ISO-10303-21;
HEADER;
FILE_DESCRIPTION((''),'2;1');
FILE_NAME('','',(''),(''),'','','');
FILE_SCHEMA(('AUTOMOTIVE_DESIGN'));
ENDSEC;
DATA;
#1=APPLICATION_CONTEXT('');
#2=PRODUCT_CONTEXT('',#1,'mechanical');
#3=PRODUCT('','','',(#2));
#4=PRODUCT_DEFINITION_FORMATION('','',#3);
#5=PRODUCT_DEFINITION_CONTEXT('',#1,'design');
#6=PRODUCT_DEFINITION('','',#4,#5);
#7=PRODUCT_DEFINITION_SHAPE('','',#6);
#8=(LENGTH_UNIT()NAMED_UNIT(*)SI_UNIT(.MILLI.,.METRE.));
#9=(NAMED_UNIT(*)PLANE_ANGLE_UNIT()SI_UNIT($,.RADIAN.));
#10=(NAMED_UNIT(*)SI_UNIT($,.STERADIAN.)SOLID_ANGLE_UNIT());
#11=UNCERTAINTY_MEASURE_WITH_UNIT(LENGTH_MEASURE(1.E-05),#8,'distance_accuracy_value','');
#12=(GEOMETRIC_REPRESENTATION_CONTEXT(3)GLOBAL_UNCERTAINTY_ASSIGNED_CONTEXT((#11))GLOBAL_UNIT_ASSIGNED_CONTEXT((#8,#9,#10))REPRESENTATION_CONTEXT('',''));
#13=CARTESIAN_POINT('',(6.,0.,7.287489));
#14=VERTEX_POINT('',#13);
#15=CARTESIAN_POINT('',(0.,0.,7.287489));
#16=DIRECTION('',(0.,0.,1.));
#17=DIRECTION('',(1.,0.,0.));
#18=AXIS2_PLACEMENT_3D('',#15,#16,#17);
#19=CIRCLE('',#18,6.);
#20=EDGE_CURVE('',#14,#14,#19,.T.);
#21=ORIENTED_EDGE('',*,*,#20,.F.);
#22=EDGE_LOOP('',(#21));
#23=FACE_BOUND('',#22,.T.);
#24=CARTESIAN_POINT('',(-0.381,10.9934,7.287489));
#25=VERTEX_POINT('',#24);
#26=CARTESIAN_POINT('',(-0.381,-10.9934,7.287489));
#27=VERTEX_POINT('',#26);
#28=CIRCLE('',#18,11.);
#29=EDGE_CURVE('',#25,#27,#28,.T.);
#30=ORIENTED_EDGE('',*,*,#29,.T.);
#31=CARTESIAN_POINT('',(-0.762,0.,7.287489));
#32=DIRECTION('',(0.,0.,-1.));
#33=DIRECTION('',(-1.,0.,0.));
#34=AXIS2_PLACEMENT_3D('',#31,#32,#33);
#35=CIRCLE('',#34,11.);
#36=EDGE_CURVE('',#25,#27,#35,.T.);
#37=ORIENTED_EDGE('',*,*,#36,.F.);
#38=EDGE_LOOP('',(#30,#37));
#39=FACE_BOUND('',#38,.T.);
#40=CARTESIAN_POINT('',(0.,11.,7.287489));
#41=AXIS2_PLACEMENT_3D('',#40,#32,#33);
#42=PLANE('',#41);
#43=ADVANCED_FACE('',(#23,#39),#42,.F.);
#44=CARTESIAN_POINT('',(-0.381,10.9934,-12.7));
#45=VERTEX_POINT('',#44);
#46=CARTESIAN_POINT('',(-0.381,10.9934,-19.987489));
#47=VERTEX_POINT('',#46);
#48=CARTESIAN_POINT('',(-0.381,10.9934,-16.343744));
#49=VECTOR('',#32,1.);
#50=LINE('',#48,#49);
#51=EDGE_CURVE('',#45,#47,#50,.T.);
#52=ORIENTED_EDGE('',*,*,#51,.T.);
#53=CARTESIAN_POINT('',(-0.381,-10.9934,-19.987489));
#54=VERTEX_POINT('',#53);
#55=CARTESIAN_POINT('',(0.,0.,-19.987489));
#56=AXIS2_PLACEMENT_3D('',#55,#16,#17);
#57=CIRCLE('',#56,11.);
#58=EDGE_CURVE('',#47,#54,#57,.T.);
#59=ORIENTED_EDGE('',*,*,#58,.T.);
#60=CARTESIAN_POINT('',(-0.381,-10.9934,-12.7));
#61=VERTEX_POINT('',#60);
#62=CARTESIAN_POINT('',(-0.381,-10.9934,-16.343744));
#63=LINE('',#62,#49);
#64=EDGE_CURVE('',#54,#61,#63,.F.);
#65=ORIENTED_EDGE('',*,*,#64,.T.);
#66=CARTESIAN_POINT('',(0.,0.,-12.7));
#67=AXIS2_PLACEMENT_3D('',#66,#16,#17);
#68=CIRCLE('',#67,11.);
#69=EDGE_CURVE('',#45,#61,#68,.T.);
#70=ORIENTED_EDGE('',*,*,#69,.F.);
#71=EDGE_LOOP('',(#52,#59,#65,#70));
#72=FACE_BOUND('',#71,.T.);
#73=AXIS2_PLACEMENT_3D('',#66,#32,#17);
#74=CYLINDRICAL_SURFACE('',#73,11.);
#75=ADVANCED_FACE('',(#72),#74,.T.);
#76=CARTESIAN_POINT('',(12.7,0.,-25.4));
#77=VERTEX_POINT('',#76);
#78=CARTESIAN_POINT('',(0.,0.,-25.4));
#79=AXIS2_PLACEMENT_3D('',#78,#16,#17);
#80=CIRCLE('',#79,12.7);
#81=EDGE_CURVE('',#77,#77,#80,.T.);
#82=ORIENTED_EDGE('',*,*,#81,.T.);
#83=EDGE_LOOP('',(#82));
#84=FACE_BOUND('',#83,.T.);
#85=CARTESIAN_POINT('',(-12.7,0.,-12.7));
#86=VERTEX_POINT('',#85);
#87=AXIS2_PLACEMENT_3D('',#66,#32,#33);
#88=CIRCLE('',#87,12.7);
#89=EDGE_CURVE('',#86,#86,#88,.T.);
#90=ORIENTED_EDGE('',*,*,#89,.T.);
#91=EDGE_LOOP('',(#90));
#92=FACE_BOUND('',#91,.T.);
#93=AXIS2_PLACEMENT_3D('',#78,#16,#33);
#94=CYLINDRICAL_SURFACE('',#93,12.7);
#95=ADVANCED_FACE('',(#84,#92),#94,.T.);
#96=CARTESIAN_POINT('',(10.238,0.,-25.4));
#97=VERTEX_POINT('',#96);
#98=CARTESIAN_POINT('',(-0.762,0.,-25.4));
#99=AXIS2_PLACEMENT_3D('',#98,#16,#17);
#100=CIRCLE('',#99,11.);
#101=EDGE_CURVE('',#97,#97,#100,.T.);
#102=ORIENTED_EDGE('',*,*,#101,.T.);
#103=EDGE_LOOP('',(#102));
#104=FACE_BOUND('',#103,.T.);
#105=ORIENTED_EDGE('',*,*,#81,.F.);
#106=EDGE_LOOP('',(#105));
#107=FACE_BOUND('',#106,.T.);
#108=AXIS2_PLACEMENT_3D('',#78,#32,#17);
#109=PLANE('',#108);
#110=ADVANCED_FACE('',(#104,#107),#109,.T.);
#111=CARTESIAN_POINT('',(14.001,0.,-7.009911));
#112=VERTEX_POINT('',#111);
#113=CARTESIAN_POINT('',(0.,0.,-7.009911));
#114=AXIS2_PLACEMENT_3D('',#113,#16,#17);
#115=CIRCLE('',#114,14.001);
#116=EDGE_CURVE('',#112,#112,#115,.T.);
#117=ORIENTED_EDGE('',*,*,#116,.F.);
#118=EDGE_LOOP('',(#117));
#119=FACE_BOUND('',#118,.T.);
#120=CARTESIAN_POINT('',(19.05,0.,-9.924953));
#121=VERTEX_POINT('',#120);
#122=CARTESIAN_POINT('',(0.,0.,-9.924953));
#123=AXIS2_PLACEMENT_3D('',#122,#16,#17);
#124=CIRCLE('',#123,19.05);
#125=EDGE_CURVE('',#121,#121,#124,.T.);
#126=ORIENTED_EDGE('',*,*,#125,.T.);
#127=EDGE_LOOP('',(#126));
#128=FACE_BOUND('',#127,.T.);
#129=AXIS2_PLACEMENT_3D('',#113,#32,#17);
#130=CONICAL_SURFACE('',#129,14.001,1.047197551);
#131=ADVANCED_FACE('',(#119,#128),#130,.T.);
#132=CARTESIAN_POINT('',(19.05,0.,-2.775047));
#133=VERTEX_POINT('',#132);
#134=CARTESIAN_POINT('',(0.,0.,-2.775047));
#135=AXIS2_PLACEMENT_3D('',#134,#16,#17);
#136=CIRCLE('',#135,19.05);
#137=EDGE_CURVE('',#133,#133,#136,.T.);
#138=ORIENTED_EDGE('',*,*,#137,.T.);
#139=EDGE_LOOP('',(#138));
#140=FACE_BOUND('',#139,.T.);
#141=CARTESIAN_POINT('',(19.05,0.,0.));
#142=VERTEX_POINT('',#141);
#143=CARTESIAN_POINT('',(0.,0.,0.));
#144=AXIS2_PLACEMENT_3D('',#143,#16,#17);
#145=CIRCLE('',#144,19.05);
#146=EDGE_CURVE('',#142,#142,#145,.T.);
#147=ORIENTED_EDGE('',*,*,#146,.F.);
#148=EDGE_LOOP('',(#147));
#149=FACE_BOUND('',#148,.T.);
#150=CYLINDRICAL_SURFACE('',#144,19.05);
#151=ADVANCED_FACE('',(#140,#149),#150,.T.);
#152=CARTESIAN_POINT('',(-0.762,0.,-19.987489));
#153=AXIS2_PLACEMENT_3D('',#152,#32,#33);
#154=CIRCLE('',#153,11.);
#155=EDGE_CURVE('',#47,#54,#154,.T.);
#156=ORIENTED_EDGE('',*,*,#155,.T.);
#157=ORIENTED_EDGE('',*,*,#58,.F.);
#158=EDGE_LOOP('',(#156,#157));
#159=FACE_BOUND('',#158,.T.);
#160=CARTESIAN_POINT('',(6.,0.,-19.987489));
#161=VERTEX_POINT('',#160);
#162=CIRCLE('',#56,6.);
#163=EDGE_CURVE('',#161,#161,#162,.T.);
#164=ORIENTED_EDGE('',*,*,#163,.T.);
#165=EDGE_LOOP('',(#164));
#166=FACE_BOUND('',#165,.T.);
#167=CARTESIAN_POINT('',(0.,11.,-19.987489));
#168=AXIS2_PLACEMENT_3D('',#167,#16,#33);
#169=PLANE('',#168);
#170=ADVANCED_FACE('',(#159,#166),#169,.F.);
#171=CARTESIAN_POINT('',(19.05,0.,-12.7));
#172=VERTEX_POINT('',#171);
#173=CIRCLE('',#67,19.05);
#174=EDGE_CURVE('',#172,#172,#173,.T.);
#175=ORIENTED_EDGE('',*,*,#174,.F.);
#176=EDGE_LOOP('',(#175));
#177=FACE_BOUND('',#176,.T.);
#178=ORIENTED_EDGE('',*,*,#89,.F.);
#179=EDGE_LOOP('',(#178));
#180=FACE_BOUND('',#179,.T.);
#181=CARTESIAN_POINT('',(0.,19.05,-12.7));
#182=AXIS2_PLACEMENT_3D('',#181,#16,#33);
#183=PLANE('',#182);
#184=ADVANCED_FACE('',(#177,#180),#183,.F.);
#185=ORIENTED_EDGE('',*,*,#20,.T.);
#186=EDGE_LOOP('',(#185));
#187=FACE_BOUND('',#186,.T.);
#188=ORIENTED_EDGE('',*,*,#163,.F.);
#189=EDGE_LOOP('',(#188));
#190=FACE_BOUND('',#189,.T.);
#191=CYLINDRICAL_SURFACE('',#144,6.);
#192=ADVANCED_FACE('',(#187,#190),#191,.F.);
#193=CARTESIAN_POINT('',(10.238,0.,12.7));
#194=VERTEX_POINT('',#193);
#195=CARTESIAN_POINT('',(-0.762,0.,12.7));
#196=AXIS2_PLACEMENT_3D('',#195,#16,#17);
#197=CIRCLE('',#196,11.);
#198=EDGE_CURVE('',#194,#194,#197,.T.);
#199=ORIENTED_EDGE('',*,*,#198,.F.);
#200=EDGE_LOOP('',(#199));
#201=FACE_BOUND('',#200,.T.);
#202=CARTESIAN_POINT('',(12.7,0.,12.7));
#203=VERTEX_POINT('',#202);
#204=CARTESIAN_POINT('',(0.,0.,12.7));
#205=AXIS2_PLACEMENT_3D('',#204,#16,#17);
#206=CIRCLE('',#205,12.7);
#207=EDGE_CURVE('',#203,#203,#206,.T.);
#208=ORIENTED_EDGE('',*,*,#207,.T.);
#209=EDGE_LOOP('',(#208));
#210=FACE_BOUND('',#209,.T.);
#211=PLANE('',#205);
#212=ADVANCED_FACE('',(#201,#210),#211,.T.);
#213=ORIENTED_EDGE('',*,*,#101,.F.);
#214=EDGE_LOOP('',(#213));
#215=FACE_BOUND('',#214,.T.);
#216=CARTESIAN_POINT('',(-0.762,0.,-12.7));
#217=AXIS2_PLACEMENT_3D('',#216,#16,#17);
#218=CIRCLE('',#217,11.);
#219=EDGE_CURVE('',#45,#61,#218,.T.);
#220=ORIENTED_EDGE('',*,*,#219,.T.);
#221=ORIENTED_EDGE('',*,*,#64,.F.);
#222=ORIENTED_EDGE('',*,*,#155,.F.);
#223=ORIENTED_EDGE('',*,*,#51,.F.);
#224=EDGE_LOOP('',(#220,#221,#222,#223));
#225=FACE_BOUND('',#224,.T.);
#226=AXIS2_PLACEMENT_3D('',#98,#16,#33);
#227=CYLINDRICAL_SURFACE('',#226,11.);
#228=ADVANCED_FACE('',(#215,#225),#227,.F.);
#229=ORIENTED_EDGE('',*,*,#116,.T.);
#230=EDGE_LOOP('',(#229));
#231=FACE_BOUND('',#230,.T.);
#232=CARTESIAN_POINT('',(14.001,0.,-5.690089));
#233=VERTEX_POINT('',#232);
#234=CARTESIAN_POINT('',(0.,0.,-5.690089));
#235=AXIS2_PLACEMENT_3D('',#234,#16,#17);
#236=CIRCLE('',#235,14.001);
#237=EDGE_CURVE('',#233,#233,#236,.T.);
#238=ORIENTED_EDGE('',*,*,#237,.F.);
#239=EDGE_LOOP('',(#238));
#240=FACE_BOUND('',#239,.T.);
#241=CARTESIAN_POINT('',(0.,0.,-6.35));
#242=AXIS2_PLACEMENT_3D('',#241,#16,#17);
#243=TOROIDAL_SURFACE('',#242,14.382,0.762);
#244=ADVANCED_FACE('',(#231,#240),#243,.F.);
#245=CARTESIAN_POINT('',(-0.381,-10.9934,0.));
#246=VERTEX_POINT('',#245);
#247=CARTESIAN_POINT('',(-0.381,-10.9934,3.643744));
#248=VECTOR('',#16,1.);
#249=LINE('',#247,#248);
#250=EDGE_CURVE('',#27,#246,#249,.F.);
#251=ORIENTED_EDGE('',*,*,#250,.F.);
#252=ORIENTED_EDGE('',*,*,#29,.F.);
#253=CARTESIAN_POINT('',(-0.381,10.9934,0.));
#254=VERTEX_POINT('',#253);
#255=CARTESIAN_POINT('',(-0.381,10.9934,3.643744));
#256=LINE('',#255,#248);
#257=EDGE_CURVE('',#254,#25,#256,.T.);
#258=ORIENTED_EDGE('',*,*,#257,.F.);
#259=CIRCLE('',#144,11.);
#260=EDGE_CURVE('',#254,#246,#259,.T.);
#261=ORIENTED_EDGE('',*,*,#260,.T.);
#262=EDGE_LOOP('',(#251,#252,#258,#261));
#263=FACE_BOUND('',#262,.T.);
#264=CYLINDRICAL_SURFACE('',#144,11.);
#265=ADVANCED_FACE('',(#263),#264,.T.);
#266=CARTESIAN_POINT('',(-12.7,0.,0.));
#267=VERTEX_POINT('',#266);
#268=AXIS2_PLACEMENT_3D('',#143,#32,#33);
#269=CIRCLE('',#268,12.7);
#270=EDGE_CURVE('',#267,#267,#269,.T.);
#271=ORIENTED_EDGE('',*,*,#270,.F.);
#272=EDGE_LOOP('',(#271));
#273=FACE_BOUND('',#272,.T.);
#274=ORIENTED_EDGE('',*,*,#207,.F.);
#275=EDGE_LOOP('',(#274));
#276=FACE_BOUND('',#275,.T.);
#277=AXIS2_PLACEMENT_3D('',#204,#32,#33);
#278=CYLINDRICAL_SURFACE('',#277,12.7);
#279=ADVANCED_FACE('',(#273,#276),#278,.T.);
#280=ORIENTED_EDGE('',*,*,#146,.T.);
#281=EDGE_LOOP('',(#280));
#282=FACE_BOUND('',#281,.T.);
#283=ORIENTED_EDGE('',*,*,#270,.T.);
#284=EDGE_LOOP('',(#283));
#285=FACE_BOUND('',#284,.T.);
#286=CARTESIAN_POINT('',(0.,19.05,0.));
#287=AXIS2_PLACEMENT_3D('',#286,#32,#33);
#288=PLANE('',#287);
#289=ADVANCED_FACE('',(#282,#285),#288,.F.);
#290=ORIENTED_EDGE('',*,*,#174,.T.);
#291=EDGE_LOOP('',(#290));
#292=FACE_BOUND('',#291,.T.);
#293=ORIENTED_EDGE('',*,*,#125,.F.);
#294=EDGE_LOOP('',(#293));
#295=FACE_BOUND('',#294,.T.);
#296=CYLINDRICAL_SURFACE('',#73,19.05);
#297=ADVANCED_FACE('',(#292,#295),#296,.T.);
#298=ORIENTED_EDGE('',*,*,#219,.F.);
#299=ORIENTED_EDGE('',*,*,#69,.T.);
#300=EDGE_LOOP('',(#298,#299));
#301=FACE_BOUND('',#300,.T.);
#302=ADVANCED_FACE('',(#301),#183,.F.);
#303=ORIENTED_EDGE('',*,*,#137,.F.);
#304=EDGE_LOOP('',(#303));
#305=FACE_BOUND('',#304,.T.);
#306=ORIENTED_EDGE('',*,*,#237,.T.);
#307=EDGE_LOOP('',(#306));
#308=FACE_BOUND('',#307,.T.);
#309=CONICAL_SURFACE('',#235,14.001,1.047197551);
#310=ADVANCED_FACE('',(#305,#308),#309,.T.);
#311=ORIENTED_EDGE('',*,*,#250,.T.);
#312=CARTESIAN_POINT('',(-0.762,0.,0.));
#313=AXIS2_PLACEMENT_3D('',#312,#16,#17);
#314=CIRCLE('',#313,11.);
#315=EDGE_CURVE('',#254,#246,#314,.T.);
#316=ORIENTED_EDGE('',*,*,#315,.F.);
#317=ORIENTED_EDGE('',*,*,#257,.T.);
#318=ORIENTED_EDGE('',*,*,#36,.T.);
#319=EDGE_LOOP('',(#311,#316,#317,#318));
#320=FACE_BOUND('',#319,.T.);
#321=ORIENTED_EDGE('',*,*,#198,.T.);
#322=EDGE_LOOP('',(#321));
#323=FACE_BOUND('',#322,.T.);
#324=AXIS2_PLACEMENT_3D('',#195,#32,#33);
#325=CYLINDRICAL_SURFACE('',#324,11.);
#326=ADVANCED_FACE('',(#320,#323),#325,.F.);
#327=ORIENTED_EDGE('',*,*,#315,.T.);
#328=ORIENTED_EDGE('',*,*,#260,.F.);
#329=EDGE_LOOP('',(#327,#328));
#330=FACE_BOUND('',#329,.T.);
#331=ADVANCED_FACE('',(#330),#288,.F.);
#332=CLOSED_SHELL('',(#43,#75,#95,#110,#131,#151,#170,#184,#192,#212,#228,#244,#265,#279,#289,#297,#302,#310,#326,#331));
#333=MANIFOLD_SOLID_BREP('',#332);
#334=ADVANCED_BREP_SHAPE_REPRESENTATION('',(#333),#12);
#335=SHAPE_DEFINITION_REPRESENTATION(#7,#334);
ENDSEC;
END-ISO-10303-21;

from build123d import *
from build123d.topology import SkipClean

# Parameters (mm, degrees)
SKETCH1_R           = 12.7
SKETCH1_R_2         = 11
BOSS_EXTRUDE1_DEPTH = 12.7


with BuildPart() as part:
    # Sketch1 → Boss-Extrude1 (new body)
    with BuildSketch(Plane.XY):
        Circle(SKETCH1_R)
        with Locations((-0.762, 0)):
            Circle(SKETCH1_R_2, mode=Mode.SUBTRACT)
    extrude(amount=BOSS_EXTRUDE1_DEPTH)

    # Sketch2 → Revolve1 (revolve)
    with BuildSketch(Plane(origin=(0, 0, 0), x_dir=(0, 0, -1), z_dir=(1, 0, 0))):
        with BuildLine():
            Line((-7.2874886, 11), (-7.2874886, 6))
            Line((-7.2874886, 6), (6.35, 6))
            Line((6.35, 6), (6.35, 13.62))
            ThreePointArc((6.35, 13.62), (5.969, 13.722088642), (5.690088642, 14.001))
            Line((5.690088642, 14.001), (2.775047133, 19.05))
            Line((2.775047133, 19.05), (0, 19.05))
            Line((0, 19.05), (0, 11))
            Line((0, 11), (-7.2874886, 11))
        make_face()
    revolve(axis=Axis((0, 0, 0), (0, 0, -1)))

    # Mirror1: part across plane


with BuildPart() as part_1:
    with SkipClean():  # the faces are left unmerged after this step: merging them gives an invalid solid
        add(part.part)
        add(part.part.mirror(Plane(origin=(0, 6, -6.35), x_dir=(1, 0, 0), z_dir=(0, 0, 1))))


solid = part_1.part
